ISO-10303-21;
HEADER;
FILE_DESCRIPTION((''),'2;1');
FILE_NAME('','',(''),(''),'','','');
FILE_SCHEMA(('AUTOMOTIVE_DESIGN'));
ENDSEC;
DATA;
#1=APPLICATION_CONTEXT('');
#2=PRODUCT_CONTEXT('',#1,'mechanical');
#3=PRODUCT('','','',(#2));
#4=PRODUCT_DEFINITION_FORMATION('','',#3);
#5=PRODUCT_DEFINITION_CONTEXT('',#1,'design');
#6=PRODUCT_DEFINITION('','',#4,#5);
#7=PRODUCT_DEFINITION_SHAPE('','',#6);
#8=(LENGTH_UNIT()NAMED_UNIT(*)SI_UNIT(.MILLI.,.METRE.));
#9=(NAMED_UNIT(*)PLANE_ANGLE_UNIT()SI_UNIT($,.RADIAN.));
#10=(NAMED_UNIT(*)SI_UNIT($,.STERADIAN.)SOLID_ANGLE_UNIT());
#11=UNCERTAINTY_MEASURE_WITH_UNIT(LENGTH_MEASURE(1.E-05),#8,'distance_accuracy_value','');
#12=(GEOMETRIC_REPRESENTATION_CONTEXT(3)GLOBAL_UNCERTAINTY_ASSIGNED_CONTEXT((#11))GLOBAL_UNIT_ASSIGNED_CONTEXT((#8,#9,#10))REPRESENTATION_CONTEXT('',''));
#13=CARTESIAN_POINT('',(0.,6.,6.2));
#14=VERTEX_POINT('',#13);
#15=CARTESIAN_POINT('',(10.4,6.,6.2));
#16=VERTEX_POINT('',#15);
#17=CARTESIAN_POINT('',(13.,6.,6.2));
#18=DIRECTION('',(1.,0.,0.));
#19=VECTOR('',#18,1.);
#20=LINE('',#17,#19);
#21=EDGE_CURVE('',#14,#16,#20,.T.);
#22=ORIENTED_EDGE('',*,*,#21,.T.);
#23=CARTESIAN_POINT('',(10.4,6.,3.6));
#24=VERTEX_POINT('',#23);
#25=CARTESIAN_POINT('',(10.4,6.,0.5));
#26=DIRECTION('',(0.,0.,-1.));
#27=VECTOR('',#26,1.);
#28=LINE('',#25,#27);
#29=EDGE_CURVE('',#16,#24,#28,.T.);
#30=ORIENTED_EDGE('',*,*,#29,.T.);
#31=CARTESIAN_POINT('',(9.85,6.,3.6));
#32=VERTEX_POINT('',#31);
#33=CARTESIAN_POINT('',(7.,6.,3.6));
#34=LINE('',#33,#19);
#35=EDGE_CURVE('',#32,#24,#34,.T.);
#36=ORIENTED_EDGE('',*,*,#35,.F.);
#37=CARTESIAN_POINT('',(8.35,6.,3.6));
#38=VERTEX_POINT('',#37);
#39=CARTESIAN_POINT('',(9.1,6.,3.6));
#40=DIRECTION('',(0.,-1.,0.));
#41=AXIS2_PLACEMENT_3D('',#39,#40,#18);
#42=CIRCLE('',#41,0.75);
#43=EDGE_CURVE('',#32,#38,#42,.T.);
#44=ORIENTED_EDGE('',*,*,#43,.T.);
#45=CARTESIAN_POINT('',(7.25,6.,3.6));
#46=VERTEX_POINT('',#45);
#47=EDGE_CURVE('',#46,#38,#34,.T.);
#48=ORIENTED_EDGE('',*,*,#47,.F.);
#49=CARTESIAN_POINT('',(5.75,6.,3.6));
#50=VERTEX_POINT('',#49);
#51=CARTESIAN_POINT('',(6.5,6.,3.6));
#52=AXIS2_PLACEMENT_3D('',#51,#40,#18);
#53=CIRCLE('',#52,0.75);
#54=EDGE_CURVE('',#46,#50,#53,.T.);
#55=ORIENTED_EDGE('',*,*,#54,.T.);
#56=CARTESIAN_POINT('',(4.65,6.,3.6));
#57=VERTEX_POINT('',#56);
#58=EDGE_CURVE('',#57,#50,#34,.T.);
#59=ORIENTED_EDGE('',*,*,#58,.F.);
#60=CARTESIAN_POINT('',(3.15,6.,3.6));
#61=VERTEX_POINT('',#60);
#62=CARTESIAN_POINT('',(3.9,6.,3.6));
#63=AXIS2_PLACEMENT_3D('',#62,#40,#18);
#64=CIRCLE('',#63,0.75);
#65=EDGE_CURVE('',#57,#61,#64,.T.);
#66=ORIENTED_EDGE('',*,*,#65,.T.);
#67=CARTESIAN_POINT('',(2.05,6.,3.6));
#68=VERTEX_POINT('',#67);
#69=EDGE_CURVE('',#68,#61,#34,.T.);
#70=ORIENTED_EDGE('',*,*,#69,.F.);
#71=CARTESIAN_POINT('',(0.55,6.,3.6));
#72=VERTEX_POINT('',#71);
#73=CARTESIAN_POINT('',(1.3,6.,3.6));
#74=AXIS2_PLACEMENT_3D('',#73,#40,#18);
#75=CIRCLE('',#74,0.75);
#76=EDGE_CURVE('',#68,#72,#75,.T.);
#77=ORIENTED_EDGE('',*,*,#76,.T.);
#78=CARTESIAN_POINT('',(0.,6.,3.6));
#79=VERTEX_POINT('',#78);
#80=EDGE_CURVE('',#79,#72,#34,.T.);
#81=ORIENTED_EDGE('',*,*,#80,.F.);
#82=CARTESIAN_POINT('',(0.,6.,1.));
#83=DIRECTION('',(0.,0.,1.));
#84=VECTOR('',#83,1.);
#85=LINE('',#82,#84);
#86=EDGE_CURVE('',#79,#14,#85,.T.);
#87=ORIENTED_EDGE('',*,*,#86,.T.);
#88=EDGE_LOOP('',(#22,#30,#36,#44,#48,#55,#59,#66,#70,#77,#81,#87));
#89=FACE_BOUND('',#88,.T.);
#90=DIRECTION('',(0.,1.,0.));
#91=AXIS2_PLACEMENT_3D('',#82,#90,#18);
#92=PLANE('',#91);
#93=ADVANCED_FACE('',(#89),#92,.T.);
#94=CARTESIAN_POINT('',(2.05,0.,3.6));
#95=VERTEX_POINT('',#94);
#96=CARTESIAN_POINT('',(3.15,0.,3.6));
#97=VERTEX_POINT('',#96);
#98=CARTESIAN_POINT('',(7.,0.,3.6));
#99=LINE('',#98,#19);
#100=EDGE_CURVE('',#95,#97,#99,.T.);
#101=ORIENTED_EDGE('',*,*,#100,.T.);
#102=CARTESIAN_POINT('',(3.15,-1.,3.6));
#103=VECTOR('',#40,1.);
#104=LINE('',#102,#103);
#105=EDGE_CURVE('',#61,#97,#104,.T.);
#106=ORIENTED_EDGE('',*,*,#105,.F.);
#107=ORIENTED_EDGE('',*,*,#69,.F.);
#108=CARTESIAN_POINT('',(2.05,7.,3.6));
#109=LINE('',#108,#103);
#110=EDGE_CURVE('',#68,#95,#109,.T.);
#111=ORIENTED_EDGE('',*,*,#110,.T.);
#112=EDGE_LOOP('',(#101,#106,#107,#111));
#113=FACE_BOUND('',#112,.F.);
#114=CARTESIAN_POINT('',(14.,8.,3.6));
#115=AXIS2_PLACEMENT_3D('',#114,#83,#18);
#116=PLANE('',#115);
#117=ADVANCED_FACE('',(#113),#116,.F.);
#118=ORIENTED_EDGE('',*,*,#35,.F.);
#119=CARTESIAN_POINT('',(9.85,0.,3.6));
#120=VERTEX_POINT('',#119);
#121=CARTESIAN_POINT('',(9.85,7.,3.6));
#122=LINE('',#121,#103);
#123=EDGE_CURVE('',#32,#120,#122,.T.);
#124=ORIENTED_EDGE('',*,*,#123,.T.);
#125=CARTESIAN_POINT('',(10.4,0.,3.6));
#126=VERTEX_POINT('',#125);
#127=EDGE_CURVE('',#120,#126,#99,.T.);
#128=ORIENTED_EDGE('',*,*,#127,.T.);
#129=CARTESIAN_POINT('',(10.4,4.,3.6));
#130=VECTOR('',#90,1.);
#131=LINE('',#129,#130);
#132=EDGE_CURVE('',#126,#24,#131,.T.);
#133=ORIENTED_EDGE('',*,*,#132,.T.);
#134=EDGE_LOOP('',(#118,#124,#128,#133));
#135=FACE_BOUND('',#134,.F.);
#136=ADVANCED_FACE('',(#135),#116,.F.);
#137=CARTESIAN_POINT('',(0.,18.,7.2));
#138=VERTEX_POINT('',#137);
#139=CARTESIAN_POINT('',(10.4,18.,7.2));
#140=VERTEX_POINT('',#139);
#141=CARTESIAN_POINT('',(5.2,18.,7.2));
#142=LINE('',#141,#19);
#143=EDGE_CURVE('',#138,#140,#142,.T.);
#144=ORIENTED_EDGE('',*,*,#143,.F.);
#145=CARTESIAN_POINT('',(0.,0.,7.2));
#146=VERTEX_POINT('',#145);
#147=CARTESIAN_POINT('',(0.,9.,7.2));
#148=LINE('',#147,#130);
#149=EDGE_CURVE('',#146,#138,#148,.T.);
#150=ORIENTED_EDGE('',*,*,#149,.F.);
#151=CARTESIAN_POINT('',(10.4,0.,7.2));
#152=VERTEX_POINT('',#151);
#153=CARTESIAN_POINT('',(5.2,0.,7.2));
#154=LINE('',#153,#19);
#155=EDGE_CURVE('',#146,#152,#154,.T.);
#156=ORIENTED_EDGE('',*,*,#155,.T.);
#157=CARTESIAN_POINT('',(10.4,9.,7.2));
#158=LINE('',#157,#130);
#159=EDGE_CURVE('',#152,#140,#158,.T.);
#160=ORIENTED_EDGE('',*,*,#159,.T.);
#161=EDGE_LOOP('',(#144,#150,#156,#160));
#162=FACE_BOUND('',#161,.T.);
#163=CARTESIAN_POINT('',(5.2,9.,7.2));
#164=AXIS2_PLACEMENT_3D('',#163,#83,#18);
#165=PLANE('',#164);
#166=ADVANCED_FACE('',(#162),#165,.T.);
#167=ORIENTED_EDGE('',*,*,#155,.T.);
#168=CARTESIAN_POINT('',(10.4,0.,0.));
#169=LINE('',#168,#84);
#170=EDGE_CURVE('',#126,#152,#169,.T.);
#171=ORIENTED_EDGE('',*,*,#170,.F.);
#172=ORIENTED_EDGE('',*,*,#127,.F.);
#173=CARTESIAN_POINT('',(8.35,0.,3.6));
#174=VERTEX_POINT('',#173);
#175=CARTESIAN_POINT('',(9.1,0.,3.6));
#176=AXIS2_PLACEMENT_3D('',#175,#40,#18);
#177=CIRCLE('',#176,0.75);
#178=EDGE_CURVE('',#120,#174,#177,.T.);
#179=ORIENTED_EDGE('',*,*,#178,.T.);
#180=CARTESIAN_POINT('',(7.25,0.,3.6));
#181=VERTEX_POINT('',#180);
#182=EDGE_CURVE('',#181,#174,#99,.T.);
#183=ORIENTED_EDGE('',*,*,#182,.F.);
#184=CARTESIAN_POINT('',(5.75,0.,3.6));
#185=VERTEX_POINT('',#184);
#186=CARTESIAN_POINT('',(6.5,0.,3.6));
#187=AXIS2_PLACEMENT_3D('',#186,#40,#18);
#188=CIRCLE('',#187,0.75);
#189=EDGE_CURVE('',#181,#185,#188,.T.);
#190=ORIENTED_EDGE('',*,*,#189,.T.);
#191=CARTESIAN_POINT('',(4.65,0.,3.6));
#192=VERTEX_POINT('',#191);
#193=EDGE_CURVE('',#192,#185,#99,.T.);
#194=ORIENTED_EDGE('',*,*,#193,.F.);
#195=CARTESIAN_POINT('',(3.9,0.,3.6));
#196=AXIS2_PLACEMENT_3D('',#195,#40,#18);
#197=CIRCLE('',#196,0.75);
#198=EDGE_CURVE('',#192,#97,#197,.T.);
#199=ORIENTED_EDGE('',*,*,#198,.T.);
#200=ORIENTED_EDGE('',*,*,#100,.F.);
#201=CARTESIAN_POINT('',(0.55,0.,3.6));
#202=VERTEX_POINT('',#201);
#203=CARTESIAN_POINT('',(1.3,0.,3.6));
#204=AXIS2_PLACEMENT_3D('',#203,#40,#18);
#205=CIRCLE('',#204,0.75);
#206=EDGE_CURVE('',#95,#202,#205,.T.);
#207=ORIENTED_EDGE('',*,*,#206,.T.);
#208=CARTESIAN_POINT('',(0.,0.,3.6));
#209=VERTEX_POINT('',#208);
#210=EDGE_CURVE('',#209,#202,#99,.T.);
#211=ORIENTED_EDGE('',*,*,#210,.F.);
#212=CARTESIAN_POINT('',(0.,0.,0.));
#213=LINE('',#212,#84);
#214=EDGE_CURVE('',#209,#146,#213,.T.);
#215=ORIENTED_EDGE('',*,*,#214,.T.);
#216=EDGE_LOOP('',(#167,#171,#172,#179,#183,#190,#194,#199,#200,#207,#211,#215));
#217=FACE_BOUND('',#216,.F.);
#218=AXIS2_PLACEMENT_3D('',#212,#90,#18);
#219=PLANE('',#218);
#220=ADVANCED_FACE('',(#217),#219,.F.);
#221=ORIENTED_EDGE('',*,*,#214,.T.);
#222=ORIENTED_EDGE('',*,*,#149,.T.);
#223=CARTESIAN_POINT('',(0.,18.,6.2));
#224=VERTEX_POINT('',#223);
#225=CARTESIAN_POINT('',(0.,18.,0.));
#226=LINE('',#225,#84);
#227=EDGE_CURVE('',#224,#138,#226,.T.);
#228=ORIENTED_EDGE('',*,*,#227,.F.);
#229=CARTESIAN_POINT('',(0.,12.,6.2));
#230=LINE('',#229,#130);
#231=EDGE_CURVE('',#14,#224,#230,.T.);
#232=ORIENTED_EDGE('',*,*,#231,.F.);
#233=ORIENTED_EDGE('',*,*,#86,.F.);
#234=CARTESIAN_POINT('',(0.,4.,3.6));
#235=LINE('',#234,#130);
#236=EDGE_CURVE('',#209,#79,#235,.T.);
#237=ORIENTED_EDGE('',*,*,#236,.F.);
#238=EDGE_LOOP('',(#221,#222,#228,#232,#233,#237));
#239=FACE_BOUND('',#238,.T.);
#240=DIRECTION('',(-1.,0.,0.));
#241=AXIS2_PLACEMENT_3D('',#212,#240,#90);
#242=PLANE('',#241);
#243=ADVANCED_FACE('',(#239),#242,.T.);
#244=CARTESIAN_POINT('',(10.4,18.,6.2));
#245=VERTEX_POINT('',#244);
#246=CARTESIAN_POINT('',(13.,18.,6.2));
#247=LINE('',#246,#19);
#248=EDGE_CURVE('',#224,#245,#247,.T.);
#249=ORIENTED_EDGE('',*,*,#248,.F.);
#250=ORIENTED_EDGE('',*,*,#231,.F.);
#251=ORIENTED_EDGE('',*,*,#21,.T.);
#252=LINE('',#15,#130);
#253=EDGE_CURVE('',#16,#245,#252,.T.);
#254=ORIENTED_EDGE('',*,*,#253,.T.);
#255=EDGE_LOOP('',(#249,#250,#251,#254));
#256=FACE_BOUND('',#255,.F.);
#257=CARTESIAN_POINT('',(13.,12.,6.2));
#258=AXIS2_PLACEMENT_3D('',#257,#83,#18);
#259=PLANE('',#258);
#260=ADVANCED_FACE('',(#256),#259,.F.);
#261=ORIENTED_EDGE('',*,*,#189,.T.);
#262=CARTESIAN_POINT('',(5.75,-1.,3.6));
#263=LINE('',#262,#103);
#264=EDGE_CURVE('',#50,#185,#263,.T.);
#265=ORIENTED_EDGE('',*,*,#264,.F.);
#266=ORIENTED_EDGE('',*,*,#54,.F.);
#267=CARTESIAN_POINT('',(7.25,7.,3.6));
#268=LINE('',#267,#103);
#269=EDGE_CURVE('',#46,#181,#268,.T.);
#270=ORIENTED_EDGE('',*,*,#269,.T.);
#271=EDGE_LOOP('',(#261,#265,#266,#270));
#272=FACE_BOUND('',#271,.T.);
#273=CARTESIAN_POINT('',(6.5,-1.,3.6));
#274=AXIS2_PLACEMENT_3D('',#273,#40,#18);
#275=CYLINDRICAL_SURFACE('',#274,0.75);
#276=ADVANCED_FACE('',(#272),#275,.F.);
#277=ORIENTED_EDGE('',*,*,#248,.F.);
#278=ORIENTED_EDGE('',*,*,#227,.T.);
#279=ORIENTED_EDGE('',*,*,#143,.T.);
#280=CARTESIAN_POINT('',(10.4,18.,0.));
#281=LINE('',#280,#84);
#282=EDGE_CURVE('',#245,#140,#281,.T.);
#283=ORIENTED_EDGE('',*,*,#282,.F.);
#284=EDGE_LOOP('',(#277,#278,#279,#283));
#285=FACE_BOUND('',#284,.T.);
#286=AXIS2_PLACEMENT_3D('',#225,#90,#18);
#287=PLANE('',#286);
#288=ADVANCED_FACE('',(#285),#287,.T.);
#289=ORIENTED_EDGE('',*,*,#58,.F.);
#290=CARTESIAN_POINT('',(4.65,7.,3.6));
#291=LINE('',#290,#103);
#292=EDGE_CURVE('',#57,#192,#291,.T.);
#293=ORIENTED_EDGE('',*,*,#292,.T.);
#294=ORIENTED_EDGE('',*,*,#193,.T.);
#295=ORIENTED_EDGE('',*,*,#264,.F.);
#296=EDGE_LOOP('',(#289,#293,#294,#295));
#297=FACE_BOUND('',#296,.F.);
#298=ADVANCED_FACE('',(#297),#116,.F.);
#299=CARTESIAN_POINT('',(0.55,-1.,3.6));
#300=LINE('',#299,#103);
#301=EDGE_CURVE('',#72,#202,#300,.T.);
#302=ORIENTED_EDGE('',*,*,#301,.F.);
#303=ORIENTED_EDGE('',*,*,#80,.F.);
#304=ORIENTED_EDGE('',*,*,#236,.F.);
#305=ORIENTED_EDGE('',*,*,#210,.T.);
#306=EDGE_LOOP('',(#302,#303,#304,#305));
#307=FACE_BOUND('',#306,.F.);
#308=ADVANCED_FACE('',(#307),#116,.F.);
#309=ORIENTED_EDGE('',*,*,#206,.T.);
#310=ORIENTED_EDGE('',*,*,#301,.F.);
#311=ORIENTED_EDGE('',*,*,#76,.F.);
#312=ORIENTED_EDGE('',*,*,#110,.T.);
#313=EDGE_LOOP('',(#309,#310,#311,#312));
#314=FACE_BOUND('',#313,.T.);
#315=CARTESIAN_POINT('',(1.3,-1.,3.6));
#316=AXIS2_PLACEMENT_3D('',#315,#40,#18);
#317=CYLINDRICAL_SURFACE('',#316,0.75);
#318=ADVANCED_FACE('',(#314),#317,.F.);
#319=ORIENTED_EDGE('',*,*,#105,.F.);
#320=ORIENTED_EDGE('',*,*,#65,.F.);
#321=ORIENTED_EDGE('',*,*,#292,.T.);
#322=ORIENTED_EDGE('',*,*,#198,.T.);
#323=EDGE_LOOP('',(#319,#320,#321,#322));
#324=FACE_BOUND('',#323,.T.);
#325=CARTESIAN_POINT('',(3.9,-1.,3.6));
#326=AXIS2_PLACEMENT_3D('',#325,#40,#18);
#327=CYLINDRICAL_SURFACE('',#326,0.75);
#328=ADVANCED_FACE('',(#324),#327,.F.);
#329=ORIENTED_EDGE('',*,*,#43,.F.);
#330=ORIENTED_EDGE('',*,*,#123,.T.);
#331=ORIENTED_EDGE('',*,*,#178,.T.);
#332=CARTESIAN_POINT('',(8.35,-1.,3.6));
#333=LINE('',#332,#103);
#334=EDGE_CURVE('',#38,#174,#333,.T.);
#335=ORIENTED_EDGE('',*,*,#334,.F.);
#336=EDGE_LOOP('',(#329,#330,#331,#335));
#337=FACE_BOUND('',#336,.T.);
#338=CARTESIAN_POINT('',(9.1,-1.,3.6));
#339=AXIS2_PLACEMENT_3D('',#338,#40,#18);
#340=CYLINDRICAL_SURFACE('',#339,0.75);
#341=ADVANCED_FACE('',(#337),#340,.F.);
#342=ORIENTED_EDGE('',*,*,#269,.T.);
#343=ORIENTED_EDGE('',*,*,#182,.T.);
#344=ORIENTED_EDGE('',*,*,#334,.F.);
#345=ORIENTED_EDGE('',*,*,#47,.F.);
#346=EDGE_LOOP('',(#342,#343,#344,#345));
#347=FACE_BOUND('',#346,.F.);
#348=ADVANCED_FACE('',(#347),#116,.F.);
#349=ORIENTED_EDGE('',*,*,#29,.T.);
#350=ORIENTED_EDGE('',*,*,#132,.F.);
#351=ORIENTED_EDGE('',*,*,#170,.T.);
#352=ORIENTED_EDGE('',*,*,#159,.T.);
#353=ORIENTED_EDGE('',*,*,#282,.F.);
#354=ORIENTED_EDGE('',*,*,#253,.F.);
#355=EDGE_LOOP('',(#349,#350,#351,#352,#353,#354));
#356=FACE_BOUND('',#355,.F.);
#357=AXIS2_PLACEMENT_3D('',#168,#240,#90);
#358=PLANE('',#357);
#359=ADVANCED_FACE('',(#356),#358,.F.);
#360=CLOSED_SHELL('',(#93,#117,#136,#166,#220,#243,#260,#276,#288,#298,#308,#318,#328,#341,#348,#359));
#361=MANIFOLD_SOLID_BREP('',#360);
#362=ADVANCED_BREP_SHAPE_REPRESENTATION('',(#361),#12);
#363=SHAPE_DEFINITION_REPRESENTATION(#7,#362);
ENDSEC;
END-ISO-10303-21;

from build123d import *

# Parameters (mm, degrees)
BOX018_W          = 30
BOX018_H          = 20
BOX018_DEPTH      = 9.2
BOX013_W          = 26
BOX013_H          = 12
BOX013_DEPTH      = 5.2
CYLINDER006_R     = 0.75
CYLINDER006_DEPTH = 7
ARRAY006_X_COUNT  = 4
ARRAY006_X_PITCH  = 2.6
ARRAY006_Y_COUNT  = 2
ARRAY006_Y_PITCH  = 1
BOX012_W          = 10.4
BOX012_H          = 18
BOX012_DEPTH      = 7.2


with BuildPart() as cortador002:
    # Box018 → Box018 (new body)
    with BuildSketch(Plane(origin=(-1, -2, -5.6), x_dir=(1, 0, 0), z_dir=(0, 0, 1))):
        with Locations((15, 10)):
            Rectangle(BOX018_W, BOX018_H)
    extrude(amount=BOX018_DEPTH)


with BuildPart() as cube_10_base008:
    # Box013 → Box013 (new body)
    with BuildSketch(Plane(origin=(0, 6, 1), x_dir=(1, 0, 0), z_dir=(0, 0, 1))):
        with Locations((13, 6)):
            Rectangle(BOX013_W, BOX013_H)
    extrude(amount=BOX013_DEPTH)


with BuildPart() as array006:
    # Cylinder006 → Cylinder006 (new body)
    with BuildSketch(Plane(origin=(1.3, -1, 3.6), x_dir=(1, 0, 0), z_dir=(0, 1, 0))):
        Circle(CYLINDER006_R)
    extrude(amount=CYLINDER006_DEPTH)

    # Array006 X: Array006 ×4


with BuildPart() as array006_1:
    add(array006.part)
    with Locations(*[(i * ARRAY006_X_PITCH, 0, 0) for i in range(1, ARRAY006_X_COUNT)]):
        add(array006.part)

    # Array006 Y: Array006 ×2


with BuildPart() as array006_2:
    add(array006_1.part)
    with Locations(*[(0, i * ARRAY006_Y_PITCH, 0) for i in range(1, ARRAY006_Y_COUNT)]):
        add(array006_1.part)


with BuildPart() as bloque4_arriba:
    # Box012 → Box012 (new body)
    with BuildSketch(Plane.XY):
        with Locations((5.2, 9)):
            Rectangle(BOX012_W, BOX012_H)
    extrude(amount=BOX012_DEPTH)

    # Cut013: cut Array006
    add(array006_2.part, mode=Mode.SUBTRACT)

    # Cut012: cut cube_10_base008
    add(cube_10_base008.part, mode=Mode.SUBTRACT)

    # Cut018: cut cortador002
    add(cortador002.part, mode=Mode.SUBTRACT)


solid = bloque4_arriba.part
